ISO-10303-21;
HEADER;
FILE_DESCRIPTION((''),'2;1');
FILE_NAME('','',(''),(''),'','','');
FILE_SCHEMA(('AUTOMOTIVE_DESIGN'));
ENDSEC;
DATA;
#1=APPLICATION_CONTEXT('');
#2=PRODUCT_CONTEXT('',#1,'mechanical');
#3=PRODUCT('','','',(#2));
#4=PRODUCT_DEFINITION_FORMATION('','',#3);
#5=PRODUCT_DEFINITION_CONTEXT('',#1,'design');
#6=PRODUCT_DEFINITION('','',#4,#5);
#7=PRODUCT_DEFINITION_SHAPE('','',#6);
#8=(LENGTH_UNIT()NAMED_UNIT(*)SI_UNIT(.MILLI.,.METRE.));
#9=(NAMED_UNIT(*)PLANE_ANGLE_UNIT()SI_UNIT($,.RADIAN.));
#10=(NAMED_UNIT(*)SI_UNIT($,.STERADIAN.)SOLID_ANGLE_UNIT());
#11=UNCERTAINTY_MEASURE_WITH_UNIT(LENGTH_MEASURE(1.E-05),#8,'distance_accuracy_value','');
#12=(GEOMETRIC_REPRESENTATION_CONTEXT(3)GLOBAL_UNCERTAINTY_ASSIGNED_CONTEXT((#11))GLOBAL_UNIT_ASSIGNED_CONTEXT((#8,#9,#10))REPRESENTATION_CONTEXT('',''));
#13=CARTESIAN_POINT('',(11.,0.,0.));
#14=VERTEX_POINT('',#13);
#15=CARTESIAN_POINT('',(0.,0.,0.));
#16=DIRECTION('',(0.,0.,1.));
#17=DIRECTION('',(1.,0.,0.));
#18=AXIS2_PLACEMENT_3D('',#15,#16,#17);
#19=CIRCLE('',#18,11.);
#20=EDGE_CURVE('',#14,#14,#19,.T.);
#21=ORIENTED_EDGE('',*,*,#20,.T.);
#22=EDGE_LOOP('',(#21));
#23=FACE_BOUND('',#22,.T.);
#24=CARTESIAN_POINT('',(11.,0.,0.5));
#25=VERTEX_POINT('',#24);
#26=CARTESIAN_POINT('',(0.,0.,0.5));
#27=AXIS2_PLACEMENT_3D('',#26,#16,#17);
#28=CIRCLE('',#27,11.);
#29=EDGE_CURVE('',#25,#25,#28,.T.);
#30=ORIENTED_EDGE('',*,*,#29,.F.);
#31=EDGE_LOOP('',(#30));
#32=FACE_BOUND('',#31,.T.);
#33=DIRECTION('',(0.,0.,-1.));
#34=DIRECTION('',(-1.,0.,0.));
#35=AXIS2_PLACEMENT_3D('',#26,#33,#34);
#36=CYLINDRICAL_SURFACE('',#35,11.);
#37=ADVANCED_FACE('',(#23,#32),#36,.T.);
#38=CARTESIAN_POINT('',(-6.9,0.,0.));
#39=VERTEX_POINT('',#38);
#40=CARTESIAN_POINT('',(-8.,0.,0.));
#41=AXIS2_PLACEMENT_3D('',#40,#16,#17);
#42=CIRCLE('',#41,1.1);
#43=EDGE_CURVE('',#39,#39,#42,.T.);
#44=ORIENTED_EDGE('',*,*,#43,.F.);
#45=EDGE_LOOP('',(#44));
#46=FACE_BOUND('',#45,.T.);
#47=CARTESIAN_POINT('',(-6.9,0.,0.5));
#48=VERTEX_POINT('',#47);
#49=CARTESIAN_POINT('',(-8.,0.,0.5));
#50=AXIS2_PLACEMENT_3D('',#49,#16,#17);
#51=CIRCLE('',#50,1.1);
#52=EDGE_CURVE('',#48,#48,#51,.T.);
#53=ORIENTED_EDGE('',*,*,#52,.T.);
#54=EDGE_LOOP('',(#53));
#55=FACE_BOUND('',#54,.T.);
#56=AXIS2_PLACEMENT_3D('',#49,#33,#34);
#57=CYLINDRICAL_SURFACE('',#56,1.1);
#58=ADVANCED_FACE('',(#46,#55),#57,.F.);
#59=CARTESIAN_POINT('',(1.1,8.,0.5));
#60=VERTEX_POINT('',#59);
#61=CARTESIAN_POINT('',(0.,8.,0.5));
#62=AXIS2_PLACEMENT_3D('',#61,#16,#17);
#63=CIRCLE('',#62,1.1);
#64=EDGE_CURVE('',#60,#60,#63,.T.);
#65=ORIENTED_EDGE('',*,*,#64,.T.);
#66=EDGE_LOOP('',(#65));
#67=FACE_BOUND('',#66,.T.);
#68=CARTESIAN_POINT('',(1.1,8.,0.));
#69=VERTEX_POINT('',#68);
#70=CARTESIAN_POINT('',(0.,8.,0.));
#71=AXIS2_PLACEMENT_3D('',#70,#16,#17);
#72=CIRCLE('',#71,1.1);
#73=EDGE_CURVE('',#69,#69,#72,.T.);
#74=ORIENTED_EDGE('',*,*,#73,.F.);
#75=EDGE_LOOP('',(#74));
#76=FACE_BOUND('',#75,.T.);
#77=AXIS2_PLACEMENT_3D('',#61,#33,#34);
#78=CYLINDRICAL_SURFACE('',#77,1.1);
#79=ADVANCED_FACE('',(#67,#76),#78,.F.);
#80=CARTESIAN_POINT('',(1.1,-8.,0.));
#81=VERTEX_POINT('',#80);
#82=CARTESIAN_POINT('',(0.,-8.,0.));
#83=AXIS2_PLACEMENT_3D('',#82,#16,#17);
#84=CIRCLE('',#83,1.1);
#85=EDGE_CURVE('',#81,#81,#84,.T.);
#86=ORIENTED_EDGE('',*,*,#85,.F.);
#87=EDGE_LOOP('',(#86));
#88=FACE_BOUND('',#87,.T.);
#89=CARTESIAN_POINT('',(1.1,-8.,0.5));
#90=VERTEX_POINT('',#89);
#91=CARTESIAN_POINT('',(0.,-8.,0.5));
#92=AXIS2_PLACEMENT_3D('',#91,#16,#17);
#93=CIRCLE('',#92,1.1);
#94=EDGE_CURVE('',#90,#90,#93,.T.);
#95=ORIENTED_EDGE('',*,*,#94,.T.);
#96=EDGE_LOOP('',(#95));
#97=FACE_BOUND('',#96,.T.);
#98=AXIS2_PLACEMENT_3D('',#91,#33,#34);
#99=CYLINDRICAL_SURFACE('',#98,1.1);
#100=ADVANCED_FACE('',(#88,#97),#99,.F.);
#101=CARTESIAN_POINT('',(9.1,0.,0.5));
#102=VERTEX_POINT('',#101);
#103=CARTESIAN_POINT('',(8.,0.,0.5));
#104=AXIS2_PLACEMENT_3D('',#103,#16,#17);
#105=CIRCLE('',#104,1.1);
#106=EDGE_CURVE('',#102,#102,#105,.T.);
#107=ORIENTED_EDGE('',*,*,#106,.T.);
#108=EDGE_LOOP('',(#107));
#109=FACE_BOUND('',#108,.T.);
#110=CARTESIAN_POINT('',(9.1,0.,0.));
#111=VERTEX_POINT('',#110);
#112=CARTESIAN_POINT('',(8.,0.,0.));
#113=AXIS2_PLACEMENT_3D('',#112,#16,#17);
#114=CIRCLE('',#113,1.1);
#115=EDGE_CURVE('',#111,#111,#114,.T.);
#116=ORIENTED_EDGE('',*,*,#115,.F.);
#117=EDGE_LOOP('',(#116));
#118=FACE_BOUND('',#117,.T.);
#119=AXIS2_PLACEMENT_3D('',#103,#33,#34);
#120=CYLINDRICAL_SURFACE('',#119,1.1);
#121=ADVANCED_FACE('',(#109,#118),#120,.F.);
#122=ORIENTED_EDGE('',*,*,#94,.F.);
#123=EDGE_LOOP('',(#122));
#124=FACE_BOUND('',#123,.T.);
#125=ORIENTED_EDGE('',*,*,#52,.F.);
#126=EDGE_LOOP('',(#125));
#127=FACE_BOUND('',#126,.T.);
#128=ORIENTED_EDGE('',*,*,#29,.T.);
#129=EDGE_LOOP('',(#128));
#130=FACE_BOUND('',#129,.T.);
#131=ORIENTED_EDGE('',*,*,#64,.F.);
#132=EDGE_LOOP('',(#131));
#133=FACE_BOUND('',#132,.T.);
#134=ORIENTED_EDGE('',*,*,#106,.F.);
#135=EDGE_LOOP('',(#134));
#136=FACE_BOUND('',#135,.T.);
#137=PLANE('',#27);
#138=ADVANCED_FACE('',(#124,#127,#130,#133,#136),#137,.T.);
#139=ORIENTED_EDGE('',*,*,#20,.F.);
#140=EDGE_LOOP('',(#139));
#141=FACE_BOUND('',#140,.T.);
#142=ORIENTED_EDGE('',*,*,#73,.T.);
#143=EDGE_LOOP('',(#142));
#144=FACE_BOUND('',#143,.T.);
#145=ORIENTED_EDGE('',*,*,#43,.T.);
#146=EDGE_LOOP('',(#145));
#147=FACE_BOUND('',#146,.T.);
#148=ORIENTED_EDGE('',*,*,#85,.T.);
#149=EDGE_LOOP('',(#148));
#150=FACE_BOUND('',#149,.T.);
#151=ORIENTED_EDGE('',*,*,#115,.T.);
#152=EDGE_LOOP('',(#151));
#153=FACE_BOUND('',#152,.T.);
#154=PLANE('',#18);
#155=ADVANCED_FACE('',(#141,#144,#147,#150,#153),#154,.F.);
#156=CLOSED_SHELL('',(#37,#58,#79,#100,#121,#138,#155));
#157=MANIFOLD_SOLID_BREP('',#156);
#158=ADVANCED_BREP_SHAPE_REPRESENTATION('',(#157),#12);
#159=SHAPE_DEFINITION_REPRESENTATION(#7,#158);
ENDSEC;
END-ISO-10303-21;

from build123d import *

# Parameters (mm, degrees)
ESQUISSE1_R        = 11
ESQUISSE1_R_2      = 1.1
BOSS_EXTRU_1_DEPTH = 0.5


with BuildPart() as part:
    # Esquisse1 → Boss.-Extru.1 (new body)
    with BuildSketch(Plane.XY):
        Circle(ESQUISSE1_R)
        with Locations((0, 8)):
            Circle(ESQUISSE1_R_2, mode=Mode.SUBTRACT)
        with Locations((8, 0)):
            Circle(ESQUISSE1_R_2, mode=Mode.SUBTRACT)
        with Locations((0, -8)):
            Circle(ESQUISSE1_R_2, mode=Mode.SUBTRACT)
        with Locations((-8, 0)):
            Circle(ESQUISSE1_R_2, mode=Mode.SUBTRACT)
    extrude(amount=BOSS_EXTRU_1_DEPTH)


solid = part.part
